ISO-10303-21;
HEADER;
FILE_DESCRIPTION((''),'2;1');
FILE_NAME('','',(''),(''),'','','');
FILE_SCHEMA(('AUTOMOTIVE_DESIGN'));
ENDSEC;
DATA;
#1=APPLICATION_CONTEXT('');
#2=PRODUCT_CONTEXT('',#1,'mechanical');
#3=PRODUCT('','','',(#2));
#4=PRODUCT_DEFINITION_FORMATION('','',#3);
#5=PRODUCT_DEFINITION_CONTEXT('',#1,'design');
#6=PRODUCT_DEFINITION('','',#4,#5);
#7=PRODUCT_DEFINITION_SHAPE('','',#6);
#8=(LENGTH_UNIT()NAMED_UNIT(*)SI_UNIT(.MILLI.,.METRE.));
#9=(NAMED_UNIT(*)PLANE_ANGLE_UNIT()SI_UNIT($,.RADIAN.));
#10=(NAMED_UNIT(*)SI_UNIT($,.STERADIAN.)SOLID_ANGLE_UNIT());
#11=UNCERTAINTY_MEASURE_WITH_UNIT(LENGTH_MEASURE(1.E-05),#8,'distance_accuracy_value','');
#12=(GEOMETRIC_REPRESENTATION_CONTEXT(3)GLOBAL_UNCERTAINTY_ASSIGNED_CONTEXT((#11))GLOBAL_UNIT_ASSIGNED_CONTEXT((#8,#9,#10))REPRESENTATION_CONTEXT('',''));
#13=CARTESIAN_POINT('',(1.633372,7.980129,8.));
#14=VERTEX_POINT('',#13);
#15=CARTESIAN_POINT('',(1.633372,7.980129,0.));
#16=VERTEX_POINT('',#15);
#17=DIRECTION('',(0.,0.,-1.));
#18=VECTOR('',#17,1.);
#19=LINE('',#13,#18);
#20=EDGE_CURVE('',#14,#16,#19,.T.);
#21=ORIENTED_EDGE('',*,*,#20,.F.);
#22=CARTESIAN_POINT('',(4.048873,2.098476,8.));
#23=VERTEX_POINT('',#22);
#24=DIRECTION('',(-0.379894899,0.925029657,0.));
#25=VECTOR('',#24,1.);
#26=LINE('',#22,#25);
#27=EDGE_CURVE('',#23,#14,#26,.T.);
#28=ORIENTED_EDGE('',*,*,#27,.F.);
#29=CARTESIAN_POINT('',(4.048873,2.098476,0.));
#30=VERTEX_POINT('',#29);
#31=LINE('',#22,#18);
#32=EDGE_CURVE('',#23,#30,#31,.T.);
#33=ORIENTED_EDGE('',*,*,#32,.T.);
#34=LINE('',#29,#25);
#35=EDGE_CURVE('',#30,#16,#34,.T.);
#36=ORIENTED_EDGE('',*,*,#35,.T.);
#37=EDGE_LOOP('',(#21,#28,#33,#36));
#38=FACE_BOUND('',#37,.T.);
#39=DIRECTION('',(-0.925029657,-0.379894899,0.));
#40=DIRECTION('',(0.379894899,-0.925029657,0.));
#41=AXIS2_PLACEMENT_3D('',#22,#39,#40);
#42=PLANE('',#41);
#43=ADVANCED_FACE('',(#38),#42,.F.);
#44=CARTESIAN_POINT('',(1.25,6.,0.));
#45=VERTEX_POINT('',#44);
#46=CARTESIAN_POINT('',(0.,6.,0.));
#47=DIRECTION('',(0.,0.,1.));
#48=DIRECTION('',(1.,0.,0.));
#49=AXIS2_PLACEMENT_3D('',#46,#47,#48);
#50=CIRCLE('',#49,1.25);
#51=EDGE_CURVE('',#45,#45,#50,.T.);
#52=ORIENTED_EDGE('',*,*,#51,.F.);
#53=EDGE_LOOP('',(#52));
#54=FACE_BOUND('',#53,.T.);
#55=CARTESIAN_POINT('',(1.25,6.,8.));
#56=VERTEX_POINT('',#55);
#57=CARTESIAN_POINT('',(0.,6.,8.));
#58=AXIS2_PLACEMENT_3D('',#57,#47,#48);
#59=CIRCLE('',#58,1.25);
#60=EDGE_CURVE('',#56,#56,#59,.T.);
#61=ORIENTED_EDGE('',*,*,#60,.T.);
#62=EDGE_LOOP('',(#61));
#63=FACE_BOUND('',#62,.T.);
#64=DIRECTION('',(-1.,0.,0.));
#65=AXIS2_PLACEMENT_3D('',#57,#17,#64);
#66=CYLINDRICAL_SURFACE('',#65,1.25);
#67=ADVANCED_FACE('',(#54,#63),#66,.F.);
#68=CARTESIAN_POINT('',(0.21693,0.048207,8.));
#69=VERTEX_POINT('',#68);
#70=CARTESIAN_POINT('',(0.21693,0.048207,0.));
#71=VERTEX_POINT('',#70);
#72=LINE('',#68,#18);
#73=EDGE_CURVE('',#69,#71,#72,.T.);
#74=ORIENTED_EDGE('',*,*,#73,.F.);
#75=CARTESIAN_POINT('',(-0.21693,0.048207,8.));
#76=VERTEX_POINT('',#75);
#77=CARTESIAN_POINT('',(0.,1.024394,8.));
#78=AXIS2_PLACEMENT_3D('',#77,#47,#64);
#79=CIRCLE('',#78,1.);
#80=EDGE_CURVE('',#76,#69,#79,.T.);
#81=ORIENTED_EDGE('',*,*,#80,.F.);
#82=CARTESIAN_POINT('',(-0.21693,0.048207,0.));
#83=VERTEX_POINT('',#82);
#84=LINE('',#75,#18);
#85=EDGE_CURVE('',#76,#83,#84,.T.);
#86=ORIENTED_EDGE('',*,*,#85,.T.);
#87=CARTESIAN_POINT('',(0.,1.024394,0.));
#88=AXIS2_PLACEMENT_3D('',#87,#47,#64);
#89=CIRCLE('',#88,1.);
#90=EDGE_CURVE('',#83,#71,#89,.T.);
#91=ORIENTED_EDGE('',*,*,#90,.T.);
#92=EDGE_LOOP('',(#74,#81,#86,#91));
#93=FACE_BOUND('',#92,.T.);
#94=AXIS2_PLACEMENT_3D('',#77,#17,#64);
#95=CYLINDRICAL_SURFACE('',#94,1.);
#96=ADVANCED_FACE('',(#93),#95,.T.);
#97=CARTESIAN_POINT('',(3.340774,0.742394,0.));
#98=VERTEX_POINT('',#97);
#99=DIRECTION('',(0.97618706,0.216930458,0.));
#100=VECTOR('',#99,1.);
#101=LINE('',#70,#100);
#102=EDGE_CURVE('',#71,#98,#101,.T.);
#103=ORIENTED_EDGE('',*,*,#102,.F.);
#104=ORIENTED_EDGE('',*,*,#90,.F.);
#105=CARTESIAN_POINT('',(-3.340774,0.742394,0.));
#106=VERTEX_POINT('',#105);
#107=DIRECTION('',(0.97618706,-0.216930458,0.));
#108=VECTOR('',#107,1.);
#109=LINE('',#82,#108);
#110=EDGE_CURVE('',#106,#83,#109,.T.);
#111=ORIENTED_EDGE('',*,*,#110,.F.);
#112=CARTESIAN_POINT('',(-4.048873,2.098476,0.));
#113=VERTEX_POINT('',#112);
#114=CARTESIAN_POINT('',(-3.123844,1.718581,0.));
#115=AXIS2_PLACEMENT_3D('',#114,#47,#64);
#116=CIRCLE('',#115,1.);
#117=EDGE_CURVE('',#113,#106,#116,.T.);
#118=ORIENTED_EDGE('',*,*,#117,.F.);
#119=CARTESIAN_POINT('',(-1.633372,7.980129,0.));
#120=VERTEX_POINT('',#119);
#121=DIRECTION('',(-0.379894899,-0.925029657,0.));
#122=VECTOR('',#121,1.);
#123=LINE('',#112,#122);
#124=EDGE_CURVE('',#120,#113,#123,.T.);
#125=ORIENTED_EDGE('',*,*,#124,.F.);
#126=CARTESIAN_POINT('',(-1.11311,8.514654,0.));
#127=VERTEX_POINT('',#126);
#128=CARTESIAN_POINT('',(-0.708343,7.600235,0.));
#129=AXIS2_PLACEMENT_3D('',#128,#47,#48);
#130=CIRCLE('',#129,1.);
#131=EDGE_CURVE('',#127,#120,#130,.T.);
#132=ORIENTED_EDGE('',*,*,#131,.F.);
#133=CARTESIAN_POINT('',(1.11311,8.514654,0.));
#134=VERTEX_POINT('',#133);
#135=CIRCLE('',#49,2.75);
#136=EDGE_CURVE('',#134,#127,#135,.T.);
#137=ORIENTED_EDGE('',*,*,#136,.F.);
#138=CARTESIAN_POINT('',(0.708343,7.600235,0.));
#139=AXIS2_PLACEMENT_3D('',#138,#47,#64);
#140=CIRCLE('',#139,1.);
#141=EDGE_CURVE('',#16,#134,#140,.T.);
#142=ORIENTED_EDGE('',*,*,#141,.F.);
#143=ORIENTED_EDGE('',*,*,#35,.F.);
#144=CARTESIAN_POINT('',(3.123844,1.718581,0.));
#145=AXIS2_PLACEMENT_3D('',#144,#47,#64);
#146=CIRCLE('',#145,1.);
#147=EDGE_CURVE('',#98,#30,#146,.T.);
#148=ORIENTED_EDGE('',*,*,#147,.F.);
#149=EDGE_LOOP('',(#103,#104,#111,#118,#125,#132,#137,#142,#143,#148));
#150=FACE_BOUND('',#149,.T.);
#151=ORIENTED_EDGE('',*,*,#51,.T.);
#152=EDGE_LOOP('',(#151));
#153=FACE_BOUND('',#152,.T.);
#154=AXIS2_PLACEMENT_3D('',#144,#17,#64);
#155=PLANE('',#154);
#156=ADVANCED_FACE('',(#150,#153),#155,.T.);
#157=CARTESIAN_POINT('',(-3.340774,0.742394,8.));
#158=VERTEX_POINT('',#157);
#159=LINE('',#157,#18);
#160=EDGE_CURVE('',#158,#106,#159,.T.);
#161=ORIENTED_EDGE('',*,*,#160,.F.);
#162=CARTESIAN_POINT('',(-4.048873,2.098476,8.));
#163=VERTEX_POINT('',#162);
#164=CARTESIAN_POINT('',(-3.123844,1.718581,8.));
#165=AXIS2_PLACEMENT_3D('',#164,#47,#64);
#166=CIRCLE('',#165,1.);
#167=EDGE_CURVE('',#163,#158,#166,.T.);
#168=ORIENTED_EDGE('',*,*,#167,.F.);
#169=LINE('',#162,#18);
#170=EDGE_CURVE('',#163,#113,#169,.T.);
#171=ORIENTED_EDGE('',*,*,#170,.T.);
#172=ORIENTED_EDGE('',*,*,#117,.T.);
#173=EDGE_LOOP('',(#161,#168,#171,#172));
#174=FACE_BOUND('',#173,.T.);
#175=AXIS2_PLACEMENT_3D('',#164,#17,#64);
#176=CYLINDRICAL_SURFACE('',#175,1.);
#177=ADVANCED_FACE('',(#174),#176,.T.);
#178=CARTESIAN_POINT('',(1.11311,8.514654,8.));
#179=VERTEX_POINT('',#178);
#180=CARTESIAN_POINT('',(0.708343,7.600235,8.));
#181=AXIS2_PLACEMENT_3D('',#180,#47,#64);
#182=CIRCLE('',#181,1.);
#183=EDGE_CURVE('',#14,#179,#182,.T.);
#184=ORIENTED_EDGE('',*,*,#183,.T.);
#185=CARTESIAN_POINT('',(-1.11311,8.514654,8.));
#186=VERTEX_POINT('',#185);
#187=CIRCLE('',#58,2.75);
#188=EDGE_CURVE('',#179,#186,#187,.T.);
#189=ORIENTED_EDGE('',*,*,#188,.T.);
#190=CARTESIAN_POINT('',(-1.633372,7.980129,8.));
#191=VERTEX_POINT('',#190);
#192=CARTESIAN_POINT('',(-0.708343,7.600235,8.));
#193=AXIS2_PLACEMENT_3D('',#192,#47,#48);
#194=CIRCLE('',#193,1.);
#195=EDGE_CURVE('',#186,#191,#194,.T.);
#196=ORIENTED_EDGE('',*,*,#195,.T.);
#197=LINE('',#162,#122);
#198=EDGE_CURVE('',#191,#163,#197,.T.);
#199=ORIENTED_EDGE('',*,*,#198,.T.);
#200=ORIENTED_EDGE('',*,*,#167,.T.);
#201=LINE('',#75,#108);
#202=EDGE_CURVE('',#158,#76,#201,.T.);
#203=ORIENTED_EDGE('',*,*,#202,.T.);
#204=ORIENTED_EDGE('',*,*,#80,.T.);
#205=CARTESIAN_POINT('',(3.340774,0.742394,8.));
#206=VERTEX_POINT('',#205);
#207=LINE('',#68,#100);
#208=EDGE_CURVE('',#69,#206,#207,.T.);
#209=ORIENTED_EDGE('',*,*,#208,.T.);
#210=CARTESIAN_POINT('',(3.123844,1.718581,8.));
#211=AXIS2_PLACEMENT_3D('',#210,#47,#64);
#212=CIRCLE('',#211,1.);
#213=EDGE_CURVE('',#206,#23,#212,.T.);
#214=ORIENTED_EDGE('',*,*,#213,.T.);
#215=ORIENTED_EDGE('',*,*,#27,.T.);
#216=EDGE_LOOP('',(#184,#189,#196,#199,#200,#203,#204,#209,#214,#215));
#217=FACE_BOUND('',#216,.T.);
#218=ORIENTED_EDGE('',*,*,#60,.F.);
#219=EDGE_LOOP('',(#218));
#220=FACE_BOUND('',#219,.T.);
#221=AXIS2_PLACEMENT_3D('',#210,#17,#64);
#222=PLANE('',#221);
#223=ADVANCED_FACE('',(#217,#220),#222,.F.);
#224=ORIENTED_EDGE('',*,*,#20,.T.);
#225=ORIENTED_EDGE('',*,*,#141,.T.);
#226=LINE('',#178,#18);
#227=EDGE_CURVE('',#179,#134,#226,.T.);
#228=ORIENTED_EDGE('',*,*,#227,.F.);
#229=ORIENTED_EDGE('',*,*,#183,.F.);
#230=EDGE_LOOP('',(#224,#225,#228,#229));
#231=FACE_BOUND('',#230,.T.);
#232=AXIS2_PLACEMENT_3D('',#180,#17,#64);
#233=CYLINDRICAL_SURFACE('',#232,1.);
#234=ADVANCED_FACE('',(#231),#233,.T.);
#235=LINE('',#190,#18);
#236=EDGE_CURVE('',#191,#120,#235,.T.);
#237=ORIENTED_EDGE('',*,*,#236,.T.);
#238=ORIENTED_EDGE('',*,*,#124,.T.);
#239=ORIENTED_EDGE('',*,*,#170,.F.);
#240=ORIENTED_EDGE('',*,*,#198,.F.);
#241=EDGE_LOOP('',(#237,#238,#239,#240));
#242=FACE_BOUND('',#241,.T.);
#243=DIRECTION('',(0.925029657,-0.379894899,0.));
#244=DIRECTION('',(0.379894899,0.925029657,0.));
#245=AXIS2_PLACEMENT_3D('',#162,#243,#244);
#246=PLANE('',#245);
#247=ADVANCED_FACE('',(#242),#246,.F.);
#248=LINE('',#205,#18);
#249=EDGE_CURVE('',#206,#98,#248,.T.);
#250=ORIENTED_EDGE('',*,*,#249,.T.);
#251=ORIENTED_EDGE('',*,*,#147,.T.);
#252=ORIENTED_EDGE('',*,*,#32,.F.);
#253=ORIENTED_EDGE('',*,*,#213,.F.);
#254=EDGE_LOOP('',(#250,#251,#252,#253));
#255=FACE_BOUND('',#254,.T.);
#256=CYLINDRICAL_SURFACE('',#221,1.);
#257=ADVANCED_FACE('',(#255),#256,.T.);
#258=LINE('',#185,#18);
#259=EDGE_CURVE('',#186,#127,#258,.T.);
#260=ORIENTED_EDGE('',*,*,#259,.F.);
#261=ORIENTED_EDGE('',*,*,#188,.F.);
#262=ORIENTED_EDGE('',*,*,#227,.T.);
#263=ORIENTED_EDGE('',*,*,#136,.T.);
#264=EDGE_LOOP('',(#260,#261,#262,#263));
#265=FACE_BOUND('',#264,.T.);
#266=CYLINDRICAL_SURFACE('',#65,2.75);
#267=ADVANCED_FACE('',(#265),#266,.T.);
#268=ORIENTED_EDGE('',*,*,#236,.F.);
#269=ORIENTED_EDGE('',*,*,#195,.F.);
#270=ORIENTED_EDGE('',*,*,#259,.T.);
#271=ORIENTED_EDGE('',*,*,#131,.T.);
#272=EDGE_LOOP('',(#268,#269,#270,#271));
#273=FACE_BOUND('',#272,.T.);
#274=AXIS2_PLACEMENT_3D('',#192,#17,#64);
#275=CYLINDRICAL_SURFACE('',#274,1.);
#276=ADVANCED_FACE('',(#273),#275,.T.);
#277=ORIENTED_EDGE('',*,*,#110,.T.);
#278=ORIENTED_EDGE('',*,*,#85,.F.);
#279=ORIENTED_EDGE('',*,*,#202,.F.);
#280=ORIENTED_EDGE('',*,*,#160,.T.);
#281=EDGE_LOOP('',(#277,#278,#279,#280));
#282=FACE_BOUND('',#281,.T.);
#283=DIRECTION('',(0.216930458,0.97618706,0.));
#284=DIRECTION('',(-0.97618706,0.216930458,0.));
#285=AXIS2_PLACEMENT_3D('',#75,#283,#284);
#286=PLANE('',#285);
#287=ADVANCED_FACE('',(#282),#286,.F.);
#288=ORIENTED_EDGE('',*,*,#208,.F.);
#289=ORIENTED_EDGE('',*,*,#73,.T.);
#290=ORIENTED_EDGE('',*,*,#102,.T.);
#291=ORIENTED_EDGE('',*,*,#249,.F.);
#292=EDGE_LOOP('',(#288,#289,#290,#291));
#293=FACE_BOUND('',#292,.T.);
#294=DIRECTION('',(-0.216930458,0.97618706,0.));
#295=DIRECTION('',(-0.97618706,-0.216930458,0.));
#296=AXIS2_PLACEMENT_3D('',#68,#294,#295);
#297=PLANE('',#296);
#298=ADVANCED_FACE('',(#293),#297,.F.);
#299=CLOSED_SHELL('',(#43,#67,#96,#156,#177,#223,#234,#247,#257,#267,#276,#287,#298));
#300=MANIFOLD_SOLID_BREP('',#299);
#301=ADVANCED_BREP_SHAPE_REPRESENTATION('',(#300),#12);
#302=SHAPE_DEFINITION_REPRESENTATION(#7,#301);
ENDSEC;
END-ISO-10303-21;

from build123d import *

# Parameters (mm, degrees)
SZKIC1_R                    = 1.25
DODANIE_WYCI_GNI_CIE1_DEPTH = 8


with BuildPart() as part:
    # Szkic1 → Dodanie-wyciągnięcie1 (new body)
    with BuildSketch(Plane.XY):
        with BuildLine():
            Line((0.216930458, 0.048206768), (3.340774171, 0.74239426))
            ThreePointArc((3.340774171, 0.74239426), (4.010273516, 1.255718269), (4.04887337, 2.098476219))
            Line((4.04887337, 2.098476219), (1.633372376, 7.980129441))
            ThreePointArc((1.633372376, 7.980129441), (1.424945236, 8.297716323), (1.113109988, 8.514654282))
            ThreePointArc((1.113109988, 8.514654282), (0, 8.75), (-1.113109988, 8.514654282))
            ThreePointArc((-1.113109988, 8.514654282), (-1.424945236, 8.297716323), (-1.633372376, 7.980129441))
            Line((-1.633372376, 7.980129441), (-4.04887337, 2.098476219))
            ThreePointArc((-4.04887337, 2.098476219), (-4.010273516, 1.255718269), (-3.340774171, 0.74239426))
            Line((-3.340774171, 0.74239426), (-0.216930458, 0.048206768))
            ThreePointArc((-0.216930458, 0.048206768), (0, 0.024393829), (0.216930458, 0.048206768))
        make_face()
        with Locations((0, 6)):
            Circle(SZKIC1_R, mode=Mode.SUBTRACT)
    extrude(amount=DODANIE_WYCI_GNI_CIE1_DEPTH)


solid = part.part
